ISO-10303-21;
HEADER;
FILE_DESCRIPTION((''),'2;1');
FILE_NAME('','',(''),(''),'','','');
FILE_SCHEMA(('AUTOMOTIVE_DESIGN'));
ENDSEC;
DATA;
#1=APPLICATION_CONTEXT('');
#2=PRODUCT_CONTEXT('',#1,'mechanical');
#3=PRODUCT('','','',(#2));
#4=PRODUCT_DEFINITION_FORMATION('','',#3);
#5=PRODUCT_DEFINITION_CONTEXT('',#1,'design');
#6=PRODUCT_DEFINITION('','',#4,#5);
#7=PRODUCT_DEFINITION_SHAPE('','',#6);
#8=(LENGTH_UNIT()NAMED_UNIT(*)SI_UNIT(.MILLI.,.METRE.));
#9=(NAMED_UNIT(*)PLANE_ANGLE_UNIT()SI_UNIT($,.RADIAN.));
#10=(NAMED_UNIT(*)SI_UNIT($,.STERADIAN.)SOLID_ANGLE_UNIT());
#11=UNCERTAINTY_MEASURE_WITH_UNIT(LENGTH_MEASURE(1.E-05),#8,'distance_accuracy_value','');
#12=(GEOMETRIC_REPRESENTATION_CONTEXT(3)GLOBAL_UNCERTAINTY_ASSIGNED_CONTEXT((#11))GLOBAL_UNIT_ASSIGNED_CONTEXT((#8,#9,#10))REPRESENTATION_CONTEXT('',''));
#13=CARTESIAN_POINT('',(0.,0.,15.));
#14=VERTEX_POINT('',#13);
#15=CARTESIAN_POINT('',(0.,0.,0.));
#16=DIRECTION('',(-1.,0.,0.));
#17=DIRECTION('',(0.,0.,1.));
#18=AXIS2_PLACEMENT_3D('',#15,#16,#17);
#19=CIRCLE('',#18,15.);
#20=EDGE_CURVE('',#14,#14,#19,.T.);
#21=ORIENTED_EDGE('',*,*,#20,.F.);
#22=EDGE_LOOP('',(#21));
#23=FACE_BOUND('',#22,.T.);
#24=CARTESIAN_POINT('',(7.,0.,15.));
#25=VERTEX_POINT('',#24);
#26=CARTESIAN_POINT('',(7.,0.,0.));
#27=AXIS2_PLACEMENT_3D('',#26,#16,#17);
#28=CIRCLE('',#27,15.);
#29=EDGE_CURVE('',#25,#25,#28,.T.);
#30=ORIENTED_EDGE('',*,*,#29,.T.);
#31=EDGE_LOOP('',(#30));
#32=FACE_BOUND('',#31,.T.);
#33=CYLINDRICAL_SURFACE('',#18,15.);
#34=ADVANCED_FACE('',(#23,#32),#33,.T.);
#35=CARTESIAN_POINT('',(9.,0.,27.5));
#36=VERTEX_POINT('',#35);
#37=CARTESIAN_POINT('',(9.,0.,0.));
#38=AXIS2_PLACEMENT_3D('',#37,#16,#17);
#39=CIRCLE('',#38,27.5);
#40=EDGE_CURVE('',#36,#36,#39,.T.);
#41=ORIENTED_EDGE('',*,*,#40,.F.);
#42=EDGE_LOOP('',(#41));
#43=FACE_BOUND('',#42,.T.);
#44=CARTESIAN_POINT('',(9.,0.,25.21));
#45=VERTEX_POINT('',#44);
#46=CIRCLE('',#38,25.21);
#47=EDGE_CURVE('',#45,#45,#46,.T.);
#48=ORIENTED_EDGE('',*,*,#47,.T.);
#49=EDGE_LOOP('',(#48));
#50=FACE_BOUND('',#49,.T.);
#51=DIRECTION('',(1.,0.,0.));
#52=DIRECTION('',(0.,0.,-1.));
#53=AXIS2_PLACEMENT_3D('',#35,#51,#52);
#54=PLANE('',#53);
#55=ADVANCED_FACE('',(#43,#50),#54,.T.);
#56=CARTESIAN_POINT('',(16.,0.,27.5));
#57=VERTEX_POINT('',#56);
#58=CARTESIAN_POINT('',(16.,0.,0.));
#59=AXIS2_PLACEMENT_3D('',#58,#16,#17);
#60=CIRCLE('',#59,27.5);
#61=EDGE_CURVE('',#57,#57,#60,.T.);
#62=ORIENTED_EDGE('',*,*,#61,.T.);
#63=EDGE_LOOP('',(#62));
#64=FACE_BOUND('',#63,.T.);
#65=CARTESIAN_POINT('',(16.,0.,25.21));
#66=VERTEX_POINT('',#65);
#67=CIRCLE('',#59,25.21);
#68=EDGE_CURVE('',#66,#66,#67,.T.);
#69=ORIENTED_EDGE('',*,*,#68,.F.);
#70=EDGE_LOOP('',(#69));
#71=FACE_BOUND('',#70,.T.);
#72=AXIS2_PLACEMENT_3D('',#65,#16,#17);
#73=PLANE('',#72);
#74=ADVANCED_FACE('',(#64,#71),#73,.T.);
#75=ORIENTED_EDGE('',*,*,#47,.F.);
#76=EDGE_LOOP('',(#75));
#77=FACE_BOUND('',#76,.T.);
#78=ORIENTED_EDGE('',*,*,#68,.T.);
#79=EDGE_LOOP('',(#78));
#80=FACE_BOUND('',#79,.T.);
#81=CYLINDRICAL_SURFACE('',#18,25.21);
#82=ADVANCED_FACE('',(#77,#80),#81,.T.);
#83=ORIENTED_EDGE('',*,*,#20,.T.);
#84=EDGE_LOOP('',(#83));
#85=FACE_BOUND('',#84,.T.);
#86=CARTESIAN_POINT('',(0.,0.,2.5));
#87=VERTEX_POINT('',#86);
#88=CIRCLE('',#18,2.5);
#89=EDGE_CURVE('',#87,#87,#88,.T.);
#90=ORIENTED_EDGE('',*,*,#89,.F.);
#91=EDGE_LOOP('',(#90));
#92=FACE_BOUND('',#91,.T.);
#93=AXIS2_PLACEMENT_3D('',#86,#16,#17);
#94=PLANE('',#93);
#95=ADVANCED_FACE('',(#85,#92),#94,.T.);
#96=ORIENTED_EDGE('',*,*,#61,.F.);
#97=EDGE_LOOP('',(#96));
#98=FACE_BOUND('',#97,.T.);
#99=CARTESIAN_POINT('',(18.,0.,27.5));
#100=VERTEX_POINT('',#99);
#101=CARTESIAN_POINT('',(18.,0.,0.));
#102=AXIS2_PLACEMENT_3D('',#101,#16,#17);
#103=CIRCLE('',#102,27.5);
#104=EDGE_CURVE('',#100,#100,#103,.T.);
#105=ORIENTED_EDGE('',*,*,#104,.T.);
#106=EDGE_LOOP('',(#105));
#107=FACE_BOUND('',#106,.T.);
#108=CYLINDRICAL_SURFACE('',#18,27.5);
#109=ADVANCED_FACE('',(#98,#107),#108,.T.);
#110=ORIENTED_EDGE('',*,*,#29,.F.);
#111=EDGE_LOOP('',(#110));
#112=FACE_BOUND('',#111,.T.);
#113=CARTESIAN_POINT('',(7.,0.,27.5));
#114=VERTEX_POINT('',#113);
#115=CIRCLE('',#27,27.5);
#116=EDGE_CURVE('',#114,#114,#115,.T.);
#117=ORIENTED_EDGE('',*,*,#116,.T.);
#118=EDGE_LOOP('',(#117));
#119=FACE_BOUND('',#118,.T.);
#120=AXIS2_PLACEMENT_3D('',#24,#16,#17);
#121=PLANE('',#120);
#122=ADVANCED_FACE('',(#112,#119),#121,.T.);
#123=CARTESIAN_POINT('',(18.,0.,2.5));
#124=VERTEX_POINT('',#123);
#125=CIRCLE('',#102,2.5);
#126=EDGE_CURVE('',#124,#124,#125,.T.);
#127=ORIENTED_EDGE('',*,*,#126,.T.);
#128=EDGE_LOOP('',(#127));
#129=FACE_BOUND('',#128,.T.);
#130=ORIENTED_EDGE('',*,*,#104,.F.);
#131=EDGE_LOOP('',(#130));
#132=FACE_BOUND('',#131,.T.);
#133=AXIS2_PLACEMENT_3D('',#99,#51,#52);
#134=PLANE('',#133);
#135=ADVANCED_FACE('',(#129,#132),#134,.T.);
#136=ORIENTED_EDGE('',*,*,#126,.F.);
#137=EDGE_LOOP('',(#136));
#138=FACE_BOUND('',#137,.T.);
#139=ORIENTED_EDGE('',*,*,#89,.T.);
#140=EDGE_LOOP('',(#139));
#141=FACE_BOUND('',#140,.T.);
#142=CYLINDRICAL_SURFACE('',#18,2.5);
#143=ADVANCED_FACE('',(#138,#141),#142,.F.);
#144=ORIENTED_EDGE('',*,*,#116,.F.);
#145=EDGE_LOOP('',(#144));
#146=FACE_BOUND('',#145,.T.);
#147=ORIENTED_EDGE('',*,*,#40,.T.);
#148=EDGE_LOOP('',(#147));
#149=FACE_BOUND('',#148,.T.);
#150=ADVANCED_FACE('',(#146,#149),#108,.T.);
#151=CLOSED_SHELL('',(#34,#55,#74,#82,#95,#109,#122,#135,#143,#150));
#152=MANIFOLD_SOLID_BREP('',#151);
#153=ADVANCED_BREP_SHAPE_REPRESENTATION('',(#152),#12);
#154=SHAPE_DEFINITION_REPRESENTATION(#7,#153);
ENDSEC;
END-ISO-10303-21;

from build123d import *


with BuildPart() as part:
    # Sketch1 → Revolve1 (revolve)
    with BuildSketch(Plane(origin=(0, 0, 0), x_dir=(1, 0, 0), z_dir=(0, 1, 0))):
        Polygon((0, -2.5), (0, -15), (7, -15), (7, -27.5), (9, -27.5), (9, -25.21), (16, -25.21), (16, -27.5), (18, -27.5), (18, -2.5), align=None)
    revolve(axis=Axis((0, 0, 0), (1, 0, 0)))


solid = part.part
